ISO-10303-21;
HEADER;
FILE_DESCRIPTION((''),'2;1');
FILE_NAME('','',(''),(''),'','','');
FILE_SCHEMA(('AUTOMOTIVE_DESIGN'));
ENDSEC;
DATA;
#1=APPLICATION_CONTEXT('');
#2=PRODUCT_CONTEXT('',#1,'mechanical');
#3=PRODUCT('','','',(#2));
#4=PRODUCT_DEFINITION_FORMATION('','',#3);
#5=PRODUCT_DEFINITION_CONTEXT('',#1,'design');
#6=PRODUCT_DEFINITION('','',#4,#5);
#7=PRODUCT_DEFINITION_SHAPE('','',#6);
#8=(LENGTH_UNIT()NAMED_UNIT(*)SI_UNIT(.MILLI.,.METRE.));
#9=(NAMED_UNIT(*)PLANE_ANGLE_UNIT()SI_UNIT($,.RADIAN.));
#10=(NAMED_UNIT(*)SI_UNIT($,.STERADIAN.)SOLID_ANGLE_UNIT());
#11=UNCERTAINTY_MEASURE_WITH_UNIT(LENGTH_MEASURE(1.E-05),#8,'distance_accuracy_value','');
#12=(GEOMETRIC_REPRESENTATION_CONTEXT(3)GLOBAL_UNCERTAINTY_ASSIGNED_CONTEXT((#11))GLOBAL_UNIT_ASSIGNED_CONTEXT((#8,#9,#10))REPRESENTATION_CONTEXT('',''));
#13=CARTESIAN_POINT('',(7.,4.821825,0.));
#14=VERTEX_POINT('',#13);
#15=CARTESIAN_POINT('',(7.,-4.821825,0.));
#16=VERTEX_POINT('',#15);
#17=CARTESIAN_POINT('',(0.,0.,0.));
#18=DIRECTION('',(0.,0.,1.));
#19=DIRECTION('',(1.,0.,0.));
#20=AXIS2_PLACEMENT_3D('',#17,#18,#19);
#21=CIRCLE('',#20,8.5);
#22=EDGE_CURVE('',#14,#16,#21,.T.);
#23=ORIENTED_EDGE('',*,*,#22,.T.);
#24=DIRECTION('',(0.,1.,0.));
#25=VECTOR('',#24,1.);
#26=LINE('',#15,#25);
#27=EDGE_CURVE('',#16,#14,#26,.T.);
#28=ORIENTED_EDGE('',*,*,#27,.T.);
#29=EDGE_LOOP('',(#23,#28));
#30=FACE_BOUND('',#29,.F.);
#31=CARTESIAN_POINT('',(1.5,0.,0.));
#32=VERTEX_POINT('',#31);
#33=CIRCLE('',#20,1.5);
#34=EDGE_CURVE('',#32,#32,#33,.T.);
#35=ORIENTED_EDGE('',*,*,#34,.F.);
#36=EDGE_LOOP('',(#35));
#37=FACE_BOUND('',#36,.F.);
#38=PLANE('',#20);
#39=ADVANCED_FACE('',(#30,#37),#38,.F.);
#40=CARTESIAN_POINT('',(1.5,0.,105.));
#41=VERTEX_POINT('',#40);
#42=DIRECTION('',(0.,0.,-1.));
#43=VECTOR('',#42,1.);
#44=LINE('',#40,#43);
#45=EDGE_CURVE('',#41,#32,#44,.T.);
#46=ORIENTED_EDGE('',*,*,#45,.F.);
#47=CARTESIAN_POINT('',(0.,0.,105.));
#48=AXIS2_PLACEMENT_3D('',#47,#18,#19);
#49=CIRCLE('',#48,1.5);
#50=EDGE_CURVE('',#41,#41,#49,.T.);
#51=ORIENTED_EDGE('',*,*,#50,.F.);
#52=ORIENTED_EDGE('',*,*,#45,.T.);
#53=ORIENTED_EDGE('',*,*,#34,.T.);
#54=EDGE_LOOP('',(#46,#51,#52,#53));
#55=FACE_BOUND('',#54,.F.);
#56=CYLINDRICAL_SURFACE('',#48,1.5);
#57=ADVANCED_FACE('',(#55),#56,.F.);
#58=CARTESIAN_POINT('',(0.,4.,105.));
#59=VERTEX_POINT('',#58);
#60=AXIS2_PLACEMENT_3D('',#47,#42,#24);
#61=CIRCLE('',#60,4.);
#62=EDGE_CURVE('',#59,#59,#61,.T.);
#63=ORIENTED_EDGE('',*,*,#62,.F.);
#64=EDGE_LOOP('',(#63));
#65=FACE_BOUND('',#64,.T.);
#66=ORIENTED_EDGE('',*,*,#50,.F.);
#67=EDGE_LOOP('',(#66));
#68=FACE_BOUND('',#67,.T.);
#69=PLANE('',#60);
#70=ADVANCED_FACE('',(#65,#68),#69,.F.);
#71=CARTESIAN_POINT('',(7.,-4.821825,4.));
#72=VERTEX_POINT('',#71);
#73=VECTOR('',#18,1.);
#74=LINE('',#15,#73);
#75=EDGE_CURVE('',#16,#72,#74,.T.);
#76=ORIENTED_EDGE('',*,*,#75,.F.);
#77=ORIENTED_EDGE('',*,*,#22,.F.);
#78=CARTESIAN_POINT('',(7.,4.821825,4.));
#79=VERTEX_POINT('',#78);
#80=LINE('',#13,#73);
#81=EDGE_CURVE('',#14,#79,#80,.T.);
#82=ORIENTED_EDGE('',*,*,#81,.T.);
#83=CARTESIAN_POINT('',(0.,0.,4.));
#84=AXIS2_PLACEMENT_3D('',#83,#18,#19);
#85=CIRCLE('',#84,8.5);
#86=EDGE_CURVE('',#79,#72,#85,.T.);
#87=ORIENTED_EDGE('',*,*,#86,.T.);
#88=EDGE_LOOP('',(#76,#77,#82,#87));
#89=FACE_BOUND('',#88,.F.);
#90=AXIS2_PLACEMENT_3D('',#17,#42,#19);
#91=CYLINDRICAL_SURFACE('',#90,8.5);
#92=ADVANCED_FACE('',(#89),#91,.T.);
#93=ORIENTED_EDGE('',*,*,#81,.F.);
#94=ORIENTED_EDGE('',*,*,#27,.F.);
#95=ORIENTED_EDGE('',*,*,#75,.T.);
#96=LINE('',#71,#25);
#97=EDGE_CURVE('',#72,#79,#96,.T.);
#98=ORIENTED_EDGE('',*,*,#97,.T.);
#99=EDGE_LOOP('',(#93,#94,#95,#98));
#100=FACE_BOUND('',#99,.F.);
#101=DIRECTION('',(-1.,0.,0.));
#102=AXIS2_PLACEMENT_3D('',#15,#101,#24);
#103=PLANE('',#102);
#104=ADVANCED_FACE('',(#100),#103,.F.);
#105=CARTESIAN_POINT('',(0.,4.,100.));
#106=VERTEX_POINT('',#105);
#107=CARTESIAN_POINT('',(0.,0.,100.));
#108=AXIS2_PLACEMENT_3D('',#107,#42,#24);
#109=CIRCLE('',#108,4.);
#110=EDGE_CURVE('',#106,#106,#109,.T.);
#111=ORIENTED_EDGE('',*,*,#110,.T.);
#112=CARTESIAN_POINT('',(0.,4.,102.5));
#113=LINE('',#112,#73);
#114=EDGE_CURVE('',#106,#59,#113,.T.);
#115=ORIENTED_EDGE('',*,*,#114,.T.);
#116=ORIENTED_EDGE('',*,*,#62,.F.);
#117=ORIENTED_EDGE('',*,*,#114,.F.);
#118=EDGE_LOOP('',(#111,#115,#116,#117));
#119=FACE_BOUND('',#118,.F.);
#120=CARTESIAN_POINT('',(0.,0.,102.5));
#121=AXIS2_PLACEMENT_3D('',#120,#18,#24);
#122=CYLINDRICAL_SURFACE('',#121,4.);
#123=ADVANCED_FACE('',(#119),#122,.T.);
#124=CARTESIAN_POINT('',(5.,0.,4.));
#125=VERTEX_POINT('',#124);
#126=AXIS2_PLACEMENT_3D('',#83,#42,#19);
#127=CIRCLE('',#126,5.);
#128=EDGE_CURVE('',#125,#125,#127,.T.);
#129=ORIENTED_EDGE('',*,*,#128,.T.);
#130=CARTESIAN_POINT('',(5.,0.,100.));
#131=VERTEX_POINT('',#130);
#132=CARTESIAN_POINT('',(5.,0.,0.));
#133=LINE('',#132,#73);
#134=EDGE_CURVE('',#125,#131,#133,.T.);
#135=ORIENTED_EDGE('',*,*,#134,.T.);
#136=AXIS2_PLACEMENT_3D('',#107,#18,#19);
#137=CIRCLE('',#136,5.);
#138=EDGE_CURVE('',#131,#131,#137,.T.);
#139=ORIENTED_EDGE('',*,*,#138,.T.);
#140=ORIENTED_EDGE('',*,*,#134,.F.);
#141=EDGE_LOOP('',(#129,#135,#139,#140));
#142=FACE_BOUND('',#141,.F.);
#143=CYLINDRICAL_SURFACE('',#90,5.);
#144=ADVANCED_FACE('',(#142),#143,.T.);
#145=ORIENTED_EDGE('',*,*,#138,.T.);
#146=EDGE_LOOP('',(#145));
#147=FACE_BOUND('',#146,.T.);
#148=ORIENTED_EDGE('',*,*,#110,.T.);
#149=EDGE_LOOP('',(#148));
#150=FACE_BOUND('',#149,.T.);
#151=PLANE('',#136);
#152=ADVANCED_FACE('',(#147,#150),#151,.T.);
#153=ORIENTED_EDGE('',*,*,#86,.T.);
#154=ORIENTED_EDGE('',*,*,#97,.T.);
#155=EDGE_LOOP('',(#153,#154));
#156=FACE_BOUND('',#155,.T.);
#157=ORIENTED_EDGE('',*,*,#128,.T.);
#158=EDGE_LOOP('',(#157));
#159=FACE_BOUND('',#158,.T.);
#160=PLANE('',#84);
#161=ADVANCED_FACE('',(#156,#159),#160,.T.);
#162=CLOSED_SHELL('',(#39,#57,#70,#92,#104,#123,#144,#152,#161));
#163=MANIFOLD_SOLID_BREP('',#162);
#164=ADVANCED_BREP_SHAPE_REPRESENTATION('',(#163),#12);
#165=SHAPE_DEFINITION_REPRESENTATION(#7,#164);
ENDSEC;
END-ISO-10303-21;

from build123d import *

# Parameters (mm, degrees)
F0_R     = 8.5
F1_DEPTH = 4
F2_R     = 5
F3_DEPTH = 100
F4_W     = 4
F4_H     = 5
F7_DEPTH = 4
F8_R     = 1.5
F9_DEPTH = 114.9


with BuildPart() as f1:
    # F0 (on Top) → F1 (new body)
    with BuildSketch(Plane.XY):
        Circle(F0_R)
    extrude(amount=F1_DEPTH)

    # F2 (on Top) → F3 (join)
    with BuildSketch(Plane.XY):
        Circle(F2_R)
    extrude(amount=F3_DEPTH)

    # F4 (on Right) → F5 (revolve)
    with BuildSketch(Plane.YZ):
        with Locations((2, 102.5)):
            Rectangle(F4_W, F4_H)
    revolve(axis=Axis((0, 0, 102.5), (0, 0, -1)))

    # F6 (on face) → F7 (cut)
    with BuildSketch(Plane(origin=(0, 0, 0), x_dir=(1, 0, 0), z_dir=(0, 0, -1))):
        with BuildLine():
            ThreePointArc((7, -4.821825), (8.5, 0), (7, 4.821825))
            Line((7, 4.821825), (7, -4.821825))
        make_face()
    extrude(amount=-F7_DEPTH, mode=Mode.SUBTRACT)

    # F8 (on face) → F9 (cut)
    with BuildSketch(Plane.XY.offset(105)):
        Circle(F8_R)
    extrude(amount=-F9_DEPTH, mode=Mode.SUBTRACT)


solid = f1.part
